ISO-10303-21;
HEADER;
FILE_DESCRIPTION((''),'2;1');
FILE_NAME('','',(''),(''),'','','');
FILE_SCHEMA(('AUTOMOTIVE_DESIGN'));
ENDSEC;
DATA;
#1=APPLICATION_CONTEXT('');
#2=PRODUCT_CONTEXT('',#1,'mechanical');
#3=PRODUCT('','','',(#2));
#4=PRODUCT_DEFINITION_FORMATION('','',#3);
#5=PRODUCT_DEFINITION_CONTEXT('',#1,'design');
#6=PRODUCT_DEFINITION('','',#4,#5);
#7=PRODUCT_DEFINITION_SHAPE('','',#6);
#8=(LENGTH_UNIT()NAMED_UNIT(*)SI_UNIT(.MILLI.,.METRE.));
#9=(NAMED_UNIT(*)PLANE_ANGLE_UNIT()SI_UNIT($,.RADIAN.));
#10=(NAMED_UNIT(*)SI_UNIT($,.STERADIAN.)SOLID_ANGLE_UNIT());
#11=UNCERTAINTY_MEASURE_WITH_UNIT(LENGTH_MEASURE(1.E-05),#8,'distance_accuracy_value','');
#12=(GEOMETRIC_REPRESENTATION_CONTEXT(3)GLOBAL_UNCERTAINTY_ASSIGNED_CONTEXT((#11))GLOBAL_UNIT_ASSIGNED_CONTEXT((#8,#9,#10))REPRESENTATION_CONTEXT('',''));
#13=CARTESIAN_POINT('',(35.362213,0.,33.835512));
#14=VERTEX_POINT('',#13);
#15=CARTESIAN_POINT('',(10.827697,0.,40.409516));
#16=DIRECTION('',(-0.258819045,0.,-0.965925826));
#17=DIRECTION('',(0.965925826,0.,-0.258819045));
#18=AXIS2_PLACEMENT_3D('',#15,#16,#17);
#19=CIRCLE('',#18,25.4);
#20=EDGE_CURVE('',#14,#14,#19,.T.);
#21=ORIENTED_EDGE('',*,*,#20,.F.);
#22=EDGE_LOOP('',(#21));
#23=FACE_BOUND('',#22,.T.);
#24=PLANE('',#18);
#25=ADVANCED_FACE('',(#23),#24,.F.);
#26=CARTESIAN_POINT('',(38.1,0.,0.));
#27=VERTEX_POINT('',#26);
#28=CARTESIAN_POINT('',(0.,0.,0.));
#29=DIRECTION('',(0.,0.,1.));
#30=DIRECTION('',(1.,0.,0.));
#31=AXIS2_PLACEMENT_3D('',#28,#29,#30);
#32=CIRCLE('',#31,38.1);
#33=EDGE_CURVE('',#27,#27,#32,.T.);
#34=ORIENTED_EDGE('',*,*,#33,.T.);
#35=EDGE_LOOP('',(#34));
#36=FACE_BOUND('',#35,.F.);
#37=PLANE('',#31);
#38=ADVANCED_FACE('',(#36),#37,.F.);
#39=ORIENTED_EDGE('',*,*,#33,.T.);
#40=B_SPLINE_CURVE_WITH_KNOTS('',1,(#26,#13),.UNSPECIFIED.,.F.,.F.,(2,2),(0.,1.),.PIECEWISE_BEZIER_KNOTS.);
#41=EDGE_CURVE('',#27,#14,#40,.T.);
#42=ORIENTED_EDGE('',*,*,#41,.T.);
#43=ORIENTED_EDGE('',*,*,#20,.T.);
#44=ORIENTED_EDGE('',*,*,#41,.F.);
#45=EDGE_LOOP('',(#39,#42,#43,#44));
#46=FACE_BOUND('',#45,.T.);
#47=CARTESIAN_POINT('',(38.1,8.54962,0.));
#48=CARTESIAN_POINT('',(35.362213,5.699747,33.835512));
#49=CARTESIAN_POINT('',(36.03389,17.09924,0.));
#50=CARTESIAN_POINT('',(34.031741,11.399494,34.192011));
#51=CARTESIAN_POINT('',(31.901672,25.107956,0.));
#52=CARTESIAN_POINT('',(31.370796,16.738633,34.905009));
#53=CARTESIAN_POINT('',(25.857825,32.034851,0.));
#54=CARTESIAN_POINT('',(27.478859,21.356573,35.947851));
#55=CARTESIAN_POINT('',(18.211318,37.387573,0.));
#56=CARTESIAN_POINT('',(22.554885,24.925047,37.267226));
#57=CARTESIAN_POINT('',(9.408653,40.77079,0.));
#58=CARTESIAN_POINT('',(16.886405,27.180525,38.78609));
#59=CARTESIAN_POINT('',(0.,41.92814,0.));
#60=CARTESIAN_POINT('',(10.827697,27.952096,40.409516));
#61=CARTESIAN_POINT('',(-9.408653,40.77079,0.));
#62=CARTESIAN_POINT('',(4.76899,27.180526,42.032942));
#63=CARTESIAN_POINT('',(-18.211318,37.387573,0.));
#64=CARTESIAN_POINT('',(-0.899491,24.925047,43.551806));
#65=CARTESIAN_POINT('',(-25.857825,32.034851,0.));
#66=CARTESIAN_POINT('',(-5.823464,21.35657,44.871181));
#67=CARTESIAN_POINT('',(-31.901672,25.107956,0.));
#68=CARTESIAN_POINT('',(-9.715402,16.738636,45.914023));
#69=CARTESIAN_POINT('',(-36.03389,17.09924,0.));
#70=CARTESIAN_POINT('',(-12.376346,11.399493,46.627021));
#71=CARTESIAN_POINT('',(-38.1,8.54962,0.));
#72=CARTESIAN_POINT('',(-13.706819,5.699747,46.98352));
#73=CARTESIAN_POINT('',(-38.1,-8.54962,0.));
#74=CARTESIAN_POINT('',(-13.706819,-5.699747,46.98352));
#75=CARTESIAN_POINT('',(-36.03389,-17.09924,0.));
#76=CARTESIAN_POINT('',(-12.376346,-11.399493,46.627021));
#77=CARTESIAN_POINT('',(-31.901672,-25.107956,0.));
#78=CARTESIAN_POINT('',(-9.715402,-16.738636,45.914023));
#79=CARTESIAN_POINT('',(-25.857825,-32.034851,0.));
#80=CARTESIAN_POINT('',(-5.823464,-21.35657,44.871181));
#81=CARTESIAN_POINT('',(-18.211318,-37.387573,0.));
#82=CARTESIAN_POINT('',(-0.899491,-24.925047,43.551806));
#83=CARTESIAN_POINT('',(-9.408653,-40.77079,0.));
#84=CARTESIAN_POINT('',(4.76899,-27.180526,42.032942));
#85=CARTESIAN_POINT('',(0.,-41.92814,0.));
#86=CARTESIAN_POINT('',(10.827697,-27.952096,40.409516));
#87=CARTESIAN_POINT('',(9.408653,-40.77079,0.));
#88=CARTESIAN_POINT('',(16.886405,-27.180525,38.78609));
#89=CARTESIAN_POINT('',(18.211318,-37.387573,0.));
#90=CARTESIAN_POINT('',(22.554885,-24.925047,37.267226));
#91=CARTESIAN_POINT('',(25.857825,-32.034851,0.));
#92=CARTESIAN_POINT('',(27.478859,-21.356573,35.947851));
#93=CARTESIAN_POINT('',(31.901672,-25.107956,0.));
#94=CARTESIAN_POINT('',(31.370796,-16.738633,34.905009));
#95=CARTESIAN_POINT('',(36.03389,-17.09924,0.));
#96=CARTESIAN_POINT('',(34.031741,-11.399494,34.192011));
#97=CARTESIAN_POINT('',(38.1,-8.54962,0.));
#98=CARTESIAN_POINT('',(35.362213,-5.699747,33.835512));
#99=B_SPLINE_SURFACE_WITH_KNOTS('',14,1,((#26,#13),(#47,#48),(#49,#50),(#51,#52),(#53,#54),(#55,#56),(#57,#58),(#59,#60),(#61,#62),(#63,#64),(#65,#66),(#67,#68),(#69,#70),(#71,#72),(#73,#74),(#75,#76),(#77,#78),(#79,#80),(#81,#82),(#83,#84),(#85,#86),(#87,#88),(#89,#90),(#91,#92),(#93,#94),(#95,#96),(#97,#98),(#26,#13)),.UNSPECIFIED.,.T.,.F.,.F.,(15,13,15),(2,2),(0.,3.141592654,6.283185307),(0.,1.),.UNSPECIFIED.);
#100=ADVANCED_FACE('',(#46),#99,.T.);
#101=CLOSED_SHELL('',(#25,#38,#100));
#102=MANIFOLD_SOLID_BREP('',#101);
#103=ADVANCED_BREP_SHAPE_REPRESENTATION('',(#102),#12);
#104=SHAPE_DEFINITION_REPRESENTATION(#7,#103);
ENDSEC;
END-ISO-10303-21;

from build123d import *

# Parameters (mm, degrees)
F0_R = 38.1
F3_R = 25.4


with BuildPart() as f4:
    # F0 (on Top) → F4 section 0
    with BuildSketch(Plane.XY):
        Circle(F0_R)
    # F3 (on offset) → F4 section 1
    with BuildSketch(Plane(origin=(10.8276971754, 0, 40.4095159877), x_dir=(0.9659258263, 0, -0.2588190451), z_dir=(-0.2588190451, 0, -0.9659258263))):
        Circle(F3_R)
    loft()


solid = f4.part
